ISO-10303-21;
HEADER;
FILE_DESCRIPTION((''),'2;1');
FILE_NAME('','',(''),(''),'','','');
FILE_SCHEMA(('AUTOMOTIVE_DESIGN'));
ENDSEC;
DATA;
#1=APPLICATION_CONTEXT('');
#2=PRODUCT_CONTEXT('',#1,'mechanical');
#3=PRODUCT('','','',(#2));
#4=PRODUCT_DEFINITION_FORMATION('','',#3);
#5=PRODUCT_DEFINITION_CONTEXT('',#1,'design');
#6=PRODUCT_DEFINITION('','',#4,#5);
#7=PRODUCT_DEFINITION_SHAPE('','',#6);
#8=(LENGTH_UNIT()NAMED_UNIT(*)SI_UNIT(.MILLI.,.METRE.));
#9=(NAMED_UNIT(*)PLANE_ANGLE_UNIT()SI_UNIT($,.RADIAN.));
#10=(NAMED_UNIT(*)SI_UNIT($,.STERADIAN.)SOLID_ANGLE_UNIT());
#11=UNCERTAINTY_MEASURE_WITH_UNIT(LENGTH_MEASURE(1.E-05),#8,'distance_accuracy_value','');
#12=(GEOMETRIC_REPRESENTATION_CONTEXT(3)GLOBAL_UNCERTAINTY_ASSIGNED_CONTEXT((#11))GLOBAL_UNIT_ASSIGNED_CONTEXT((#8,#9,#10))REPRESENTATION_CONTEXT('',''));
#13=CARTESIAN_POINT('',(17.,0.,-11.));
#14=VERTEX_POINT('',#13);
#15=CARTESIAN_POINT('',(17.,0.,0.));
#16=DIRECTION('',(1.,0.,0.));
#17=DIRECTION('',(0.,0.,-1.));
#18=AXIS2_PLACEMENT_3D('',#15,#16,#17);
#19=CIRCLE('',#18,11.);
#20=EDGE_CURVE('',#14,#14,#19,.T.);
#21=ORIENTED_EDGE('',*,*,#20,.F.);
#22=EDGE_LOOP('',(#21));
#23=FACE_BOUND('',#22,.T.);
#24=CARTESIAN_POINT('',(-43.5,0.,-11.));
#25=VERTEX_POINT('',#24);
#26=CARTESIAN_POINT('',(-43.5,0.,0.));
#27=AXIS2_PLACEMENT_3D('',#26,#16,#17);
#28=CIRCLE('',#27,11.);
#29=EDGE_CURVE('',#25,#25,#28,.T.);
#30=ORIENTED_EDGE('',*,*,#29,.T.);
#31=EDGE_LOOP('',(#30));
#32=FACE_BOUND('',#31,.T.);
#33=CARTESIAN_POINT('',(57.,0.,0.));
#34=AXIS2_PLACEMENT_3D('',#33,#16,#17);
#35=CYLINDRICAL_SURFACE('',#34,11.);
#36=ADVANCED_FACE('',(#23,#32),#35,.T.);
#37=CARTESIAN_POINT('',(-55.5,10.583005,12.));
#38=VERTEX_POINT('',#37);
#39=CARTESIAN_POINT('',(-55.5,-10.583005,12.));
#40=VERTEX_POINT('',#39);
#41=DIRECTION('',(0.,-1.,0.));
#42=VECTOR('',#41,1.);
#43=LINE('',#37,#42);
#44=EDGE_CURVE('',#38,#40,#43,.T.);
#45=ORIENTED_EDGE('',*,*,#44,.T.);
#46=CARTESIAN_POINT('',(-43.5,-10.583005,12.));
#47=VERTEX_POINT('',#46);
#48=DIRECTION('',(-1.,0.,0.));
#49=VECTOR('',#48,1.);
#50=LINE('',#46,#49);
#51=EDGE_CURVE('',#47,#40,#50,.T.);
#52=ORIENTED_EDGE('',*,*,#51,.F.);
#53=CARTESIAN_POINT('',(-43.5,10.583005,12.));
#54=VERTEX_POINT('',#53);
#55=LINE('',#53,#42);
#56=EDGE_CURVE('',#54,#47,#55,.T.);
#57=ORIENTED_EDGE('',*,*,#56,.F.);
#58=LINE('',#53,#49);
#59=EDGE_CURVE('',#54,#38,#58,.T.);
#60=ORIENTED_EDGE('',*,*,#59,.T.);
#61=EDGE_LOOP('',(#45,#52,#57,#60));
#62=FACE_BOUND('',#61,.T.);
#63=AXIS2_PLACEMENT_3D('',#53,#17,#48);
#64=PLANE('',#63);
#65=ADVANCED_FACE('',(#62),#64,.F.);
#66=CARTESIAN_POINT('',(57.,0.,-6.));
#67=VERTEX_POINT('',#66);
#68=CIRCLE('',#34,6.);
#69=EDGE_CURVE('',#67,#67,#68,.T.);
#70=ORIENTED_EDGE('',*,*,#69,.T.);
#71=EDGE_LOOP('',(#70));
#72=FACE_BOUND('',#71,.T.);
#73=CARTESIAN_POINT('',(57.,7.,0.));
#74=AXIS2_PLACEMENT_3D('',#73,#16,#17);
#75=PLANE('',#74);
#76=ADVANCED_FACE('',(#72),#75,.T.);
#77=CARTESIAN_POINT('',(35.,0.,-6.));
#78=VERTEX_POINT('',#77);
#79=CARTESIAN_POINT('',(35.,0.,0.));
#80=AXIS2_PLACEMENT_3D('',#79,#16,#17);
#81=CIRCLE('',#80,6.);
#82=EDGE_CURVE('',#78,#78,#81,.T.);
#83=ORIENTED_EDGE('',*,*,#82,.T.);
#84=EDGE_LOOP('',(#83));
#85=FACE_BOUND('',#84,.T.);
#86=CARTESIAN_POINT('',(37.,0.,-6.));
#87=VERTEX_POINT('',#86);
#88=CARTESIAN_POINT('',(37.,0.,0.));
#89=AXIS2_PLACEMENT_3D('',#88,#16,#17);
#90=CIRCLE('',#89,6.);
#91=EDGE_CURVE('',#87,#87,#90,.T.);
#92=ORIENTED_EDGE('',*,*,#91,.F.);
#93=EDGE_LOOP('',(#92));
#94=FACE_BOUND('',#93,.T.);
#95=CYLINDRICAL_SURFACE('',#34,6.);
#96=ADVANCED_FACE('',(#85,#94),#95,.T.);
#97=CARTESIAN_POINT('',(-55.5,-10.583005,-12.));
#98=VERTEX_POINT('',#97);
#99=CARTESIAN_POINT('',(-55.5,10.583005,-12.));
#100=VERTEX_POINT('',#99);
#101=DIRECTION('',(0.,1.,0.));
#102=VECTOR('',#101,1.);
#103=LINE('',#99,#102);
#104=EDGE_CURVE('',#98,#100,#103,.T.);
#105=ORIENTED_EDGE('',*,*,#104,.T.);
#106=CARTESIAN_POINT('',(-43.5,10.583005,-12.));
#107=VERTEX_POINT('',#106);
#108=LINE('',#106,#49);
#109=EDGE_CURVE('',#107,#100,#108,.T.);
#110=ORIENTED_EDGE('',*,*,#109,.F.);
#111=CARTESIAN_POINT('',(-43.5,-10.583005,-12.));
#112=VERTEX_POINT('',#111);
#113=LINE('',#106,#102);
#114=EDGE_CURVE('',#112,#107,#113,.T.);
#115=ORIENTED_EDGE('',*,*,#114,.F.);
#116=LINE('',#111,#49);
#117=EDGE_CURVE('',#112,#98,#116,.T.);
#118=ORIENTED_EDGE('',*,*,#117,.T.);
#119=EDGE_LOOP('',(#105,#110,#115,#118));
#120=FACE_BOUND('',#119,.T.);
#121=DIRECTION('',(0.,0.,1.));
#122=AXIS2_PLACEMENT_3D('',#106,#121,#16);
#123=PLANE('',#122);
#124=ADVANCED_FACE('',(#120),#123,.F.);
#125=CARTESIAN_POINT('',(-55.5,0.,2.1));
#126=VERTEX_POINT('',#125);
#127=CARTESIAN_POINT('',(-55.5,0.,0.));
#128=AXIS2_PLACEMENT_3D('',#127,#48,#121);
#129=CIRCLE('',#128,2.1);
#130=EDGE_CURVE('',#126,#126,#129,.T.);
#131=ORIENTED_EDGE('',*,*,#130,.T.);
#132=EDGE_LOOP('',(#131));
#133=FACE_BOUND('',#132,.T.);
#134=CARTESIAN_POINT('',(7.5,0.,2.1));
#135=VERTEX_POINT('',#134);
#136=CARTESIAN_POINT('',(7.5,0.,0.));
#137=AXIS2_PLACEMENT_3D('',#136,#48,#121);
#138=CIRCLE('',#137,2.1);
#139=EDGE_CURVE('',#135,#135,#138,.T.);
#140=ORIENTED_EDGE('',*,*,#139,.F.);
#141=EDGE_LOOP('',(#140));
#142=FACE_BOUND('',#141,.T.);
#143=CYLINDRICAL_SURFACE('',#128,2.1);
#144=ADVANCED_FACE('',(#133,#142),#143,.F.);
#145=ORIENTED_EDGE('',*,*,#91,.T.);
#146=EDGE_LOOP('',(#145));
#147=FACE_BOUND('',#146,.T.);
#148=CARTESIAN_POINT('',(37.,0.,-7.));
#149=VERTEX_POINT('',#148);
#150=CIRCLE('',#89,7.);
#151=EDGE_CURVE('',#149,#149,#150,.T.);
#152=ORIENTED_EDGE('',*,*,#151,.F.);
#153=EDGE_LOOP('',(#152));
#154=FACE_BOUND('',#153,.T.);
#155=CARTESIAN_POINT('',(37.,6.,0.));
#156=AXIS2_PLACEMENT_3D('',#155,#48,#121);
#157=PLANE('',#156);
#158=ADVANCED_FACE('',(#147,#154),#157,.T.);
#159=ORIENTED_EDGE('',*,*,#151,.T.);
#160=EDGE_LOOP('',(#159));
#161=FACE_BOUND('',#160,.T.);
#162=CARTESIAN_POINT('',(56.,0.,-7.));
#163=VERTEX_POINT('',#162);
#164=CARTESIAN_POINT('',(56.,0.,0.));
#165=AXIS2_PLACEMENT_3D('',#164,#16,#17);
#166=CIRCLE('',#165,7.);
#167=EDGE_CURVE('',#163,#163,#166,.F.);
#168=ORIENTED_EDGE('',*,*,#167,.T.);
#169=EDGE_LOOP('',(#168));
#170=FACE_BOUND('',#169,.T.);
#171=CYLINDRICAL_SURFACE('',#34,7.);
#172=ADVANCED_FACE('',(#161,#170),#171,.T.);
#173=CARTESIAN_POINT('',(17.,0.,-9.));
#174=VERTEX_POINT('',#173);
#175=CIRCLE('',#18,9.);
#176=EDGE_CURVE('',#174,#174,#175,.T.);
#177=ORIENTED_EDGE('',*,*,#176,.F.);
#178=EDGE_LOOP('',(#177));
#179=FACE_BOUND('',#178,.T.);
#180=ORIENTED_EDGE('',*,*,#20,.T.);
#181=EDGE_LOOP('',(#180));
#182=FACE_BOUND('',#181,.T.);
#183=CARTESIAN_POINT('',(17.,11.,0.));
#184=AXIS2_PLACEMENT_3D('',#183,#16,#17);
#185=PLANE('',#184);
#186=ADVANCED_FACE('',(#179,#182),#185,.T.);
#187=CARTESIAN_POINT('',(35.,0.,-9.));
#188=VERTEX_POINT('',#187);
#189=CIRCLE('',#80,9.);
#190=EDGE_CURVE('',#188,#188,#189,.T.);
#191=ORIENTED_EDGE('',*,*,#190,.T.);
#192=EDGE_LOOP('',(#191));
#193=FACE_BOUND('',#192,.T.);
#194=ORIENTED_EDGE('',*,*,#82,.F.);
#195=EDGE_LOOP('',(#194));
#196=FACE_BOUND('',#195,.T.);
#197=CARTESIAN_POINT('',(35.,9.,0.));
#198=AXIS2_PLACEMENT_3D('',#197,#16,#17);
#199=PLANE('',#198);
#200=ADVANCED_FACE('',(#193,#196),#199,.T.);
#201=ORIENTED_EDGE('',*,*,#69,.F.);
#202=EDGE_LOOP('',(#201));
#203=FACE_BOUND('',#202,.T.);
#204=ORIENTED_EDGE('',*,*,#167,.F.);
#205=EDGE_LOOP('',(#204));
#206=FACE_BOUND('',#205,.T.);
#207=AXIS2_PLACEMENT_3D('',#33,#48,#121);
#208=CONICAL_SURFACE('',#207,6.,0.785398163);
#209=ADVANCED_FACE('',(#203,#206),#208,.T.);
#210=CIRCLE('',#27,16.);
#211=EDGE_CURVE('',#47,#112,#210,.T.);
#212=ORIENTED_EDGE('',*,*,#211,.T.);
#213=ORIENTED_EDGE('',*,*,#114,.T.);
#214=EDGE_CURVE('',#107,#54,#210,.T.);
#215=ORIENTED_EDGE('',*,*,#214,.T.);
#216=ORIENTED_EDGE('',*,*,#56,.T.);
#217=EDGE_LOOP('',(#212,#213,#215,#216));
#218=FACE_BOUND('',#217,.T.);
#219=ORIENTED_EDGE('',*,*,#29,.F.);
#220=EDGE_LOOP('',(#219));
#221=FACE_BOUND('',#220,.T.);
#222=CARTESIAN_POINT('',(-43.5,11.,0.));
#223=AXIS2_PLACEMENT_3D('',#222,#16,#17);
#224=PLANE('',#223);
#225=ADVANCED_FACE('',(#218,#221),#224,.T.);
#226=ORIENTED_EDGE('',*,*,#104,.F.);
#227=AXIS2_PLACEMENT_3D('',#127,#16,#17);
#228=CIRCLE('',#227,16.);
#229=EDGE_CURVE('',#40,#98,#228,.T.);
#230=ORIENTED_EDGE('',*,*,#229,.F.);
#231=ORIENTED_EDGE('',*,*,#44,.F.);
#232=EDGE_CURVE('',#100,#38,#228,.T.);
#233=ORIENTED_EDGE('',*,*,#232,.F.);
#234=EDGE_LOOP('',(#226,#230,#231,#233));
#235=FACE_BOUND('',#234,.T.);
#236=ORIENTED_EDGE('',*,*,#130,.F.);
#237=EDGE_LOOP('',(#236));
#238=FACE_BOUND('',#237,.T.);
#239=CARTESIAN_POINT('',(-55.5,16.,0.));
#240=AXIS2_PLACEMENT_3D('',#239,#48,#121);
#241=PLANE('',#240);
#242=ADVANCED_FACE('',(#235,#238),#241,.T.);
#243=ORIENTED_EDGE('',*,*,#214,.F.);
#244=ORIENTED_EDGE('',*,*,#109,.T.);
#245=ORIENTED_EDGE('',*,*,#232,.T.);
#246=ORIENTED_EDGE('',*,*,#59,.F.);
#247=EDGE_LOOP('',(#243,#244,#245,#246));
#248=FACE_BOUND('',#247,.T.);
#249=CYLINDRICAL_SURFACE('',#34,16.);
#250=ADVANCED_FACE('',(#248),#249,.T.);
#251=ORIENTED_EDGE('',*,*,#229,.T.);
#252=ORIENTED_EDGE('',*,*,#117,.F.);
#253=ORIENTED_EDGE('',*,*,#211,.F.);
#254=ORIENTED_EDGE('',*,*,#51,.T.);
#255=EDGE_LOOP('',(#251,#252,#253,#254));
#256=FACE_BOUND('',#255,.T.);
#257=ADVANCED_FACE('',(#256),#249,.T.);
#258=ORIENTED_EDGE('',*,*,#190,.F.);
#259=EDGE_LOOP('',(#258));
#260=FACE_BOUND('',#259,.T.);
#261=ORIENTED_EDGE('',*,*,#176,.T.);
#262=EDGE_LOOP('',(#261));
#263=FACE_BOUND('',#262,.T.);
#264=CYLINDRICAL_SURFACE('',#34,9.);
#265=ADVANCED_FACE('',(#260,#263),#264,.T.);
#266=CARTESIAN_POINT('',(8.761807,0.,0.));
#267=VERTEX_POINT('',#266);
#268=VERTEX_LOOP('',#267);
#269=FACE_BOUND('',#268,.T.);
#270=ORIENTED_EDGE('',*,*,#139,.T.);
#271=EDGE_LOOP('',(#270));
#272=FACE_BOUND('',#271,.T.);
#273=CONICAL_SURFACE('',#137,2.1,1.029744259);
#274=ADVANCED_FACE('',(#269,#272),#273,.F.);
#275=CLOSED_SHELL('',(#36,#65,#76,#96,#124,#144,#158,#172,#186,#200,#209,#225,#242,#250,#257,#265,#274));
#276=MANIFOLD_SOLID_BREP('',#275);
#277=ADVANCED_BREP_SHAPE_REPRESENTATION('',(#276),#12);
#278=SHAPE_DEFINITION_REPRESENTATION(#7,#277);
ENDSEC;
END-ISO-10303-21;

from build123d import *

# Parameters (mm, degrees)
CHAMFER1_SIZE             = 1
CUT_EXTRUDE1_DEPTH        = 12
M5X0_8_TAPPED_HOLE1_D     = 4.2
M5X0_8_TAPPED_HOLE1_DEPTH = 63
M5X0_8_TAPPED_HOLE1_TIP   = 1.2618073


with BuildPart() as part:
    # Sketch1 → Revolve1 (revolve)
    with BuildSketch(Plane.XY, mode=Mode.PRIVATE) as revolve1_sk:
        Polygon((17, 11), (-43.5, 11), (-43.5, 16), (-55.5, 16), (-55.5, 0), (57, 0), (57, 7), (37, 7), (37, 6), (35, 6), (35, 9), (17, 9), align=None)
    revolve(revolve1_sk.sketch.rotate(Axis((57, 0, 0), (-1, 0, 0)), 90), axis=Axis((57, 0, 0), (-1, 0, 0)))

    # Chamfer1
    chamfer1_edges = [part.edges().sort_by_distance(p)[0] for p in [
        (57, 0, 7),
    ]]
    chamfer(chamfer1_edges, length=CHAMFER1_SIZE)

    # Sketch2 → Cut-Extrude1 (cut)
    with BuildSketch(Plane.ZY.offset(55.5)):
        with BuildLine():
            Line((12, 10.583005244), (12, -10.583005244))
            ThreePointArc((12, -10.583005244), (16, 0), (12, 10.583005244))
        make_face()
        with BuildLine():
            Line((-12, 10.583005244), (-12, -10.583005244))
            ThreePointArc((-12, -10.583005244), (-16, 0), (-12, 10.583005244))
        make_face()
    extrude(amount=-CUT_EXTRUDE1_DEPTH, mode=Mode.SUBTRACT)

    # M5x0.8 Tapped Hole1
    with Locations(Plane.ZY.offset(55.5)):
        with Locations((0, 0)):
            Hole(M5X0_8_TAPPED_HOLE1_D / 2, depth=M5X0_8_TAPPED_HOLE1_DEPTH)
            with Locations((0, 0, -(M5X0_8_TAPPED_HOLE1_DEPTH + M5X0_8_TAPPED_HOLE1_TIP / 2))):  # 118° drill point
                Cone(0, M5X0_8_TAPPED_HOLE1_D / 2, M5X0_8_TAPPED_HOLE1_TIP, mode=Mode.SUBTRACT)


solid = part.part
